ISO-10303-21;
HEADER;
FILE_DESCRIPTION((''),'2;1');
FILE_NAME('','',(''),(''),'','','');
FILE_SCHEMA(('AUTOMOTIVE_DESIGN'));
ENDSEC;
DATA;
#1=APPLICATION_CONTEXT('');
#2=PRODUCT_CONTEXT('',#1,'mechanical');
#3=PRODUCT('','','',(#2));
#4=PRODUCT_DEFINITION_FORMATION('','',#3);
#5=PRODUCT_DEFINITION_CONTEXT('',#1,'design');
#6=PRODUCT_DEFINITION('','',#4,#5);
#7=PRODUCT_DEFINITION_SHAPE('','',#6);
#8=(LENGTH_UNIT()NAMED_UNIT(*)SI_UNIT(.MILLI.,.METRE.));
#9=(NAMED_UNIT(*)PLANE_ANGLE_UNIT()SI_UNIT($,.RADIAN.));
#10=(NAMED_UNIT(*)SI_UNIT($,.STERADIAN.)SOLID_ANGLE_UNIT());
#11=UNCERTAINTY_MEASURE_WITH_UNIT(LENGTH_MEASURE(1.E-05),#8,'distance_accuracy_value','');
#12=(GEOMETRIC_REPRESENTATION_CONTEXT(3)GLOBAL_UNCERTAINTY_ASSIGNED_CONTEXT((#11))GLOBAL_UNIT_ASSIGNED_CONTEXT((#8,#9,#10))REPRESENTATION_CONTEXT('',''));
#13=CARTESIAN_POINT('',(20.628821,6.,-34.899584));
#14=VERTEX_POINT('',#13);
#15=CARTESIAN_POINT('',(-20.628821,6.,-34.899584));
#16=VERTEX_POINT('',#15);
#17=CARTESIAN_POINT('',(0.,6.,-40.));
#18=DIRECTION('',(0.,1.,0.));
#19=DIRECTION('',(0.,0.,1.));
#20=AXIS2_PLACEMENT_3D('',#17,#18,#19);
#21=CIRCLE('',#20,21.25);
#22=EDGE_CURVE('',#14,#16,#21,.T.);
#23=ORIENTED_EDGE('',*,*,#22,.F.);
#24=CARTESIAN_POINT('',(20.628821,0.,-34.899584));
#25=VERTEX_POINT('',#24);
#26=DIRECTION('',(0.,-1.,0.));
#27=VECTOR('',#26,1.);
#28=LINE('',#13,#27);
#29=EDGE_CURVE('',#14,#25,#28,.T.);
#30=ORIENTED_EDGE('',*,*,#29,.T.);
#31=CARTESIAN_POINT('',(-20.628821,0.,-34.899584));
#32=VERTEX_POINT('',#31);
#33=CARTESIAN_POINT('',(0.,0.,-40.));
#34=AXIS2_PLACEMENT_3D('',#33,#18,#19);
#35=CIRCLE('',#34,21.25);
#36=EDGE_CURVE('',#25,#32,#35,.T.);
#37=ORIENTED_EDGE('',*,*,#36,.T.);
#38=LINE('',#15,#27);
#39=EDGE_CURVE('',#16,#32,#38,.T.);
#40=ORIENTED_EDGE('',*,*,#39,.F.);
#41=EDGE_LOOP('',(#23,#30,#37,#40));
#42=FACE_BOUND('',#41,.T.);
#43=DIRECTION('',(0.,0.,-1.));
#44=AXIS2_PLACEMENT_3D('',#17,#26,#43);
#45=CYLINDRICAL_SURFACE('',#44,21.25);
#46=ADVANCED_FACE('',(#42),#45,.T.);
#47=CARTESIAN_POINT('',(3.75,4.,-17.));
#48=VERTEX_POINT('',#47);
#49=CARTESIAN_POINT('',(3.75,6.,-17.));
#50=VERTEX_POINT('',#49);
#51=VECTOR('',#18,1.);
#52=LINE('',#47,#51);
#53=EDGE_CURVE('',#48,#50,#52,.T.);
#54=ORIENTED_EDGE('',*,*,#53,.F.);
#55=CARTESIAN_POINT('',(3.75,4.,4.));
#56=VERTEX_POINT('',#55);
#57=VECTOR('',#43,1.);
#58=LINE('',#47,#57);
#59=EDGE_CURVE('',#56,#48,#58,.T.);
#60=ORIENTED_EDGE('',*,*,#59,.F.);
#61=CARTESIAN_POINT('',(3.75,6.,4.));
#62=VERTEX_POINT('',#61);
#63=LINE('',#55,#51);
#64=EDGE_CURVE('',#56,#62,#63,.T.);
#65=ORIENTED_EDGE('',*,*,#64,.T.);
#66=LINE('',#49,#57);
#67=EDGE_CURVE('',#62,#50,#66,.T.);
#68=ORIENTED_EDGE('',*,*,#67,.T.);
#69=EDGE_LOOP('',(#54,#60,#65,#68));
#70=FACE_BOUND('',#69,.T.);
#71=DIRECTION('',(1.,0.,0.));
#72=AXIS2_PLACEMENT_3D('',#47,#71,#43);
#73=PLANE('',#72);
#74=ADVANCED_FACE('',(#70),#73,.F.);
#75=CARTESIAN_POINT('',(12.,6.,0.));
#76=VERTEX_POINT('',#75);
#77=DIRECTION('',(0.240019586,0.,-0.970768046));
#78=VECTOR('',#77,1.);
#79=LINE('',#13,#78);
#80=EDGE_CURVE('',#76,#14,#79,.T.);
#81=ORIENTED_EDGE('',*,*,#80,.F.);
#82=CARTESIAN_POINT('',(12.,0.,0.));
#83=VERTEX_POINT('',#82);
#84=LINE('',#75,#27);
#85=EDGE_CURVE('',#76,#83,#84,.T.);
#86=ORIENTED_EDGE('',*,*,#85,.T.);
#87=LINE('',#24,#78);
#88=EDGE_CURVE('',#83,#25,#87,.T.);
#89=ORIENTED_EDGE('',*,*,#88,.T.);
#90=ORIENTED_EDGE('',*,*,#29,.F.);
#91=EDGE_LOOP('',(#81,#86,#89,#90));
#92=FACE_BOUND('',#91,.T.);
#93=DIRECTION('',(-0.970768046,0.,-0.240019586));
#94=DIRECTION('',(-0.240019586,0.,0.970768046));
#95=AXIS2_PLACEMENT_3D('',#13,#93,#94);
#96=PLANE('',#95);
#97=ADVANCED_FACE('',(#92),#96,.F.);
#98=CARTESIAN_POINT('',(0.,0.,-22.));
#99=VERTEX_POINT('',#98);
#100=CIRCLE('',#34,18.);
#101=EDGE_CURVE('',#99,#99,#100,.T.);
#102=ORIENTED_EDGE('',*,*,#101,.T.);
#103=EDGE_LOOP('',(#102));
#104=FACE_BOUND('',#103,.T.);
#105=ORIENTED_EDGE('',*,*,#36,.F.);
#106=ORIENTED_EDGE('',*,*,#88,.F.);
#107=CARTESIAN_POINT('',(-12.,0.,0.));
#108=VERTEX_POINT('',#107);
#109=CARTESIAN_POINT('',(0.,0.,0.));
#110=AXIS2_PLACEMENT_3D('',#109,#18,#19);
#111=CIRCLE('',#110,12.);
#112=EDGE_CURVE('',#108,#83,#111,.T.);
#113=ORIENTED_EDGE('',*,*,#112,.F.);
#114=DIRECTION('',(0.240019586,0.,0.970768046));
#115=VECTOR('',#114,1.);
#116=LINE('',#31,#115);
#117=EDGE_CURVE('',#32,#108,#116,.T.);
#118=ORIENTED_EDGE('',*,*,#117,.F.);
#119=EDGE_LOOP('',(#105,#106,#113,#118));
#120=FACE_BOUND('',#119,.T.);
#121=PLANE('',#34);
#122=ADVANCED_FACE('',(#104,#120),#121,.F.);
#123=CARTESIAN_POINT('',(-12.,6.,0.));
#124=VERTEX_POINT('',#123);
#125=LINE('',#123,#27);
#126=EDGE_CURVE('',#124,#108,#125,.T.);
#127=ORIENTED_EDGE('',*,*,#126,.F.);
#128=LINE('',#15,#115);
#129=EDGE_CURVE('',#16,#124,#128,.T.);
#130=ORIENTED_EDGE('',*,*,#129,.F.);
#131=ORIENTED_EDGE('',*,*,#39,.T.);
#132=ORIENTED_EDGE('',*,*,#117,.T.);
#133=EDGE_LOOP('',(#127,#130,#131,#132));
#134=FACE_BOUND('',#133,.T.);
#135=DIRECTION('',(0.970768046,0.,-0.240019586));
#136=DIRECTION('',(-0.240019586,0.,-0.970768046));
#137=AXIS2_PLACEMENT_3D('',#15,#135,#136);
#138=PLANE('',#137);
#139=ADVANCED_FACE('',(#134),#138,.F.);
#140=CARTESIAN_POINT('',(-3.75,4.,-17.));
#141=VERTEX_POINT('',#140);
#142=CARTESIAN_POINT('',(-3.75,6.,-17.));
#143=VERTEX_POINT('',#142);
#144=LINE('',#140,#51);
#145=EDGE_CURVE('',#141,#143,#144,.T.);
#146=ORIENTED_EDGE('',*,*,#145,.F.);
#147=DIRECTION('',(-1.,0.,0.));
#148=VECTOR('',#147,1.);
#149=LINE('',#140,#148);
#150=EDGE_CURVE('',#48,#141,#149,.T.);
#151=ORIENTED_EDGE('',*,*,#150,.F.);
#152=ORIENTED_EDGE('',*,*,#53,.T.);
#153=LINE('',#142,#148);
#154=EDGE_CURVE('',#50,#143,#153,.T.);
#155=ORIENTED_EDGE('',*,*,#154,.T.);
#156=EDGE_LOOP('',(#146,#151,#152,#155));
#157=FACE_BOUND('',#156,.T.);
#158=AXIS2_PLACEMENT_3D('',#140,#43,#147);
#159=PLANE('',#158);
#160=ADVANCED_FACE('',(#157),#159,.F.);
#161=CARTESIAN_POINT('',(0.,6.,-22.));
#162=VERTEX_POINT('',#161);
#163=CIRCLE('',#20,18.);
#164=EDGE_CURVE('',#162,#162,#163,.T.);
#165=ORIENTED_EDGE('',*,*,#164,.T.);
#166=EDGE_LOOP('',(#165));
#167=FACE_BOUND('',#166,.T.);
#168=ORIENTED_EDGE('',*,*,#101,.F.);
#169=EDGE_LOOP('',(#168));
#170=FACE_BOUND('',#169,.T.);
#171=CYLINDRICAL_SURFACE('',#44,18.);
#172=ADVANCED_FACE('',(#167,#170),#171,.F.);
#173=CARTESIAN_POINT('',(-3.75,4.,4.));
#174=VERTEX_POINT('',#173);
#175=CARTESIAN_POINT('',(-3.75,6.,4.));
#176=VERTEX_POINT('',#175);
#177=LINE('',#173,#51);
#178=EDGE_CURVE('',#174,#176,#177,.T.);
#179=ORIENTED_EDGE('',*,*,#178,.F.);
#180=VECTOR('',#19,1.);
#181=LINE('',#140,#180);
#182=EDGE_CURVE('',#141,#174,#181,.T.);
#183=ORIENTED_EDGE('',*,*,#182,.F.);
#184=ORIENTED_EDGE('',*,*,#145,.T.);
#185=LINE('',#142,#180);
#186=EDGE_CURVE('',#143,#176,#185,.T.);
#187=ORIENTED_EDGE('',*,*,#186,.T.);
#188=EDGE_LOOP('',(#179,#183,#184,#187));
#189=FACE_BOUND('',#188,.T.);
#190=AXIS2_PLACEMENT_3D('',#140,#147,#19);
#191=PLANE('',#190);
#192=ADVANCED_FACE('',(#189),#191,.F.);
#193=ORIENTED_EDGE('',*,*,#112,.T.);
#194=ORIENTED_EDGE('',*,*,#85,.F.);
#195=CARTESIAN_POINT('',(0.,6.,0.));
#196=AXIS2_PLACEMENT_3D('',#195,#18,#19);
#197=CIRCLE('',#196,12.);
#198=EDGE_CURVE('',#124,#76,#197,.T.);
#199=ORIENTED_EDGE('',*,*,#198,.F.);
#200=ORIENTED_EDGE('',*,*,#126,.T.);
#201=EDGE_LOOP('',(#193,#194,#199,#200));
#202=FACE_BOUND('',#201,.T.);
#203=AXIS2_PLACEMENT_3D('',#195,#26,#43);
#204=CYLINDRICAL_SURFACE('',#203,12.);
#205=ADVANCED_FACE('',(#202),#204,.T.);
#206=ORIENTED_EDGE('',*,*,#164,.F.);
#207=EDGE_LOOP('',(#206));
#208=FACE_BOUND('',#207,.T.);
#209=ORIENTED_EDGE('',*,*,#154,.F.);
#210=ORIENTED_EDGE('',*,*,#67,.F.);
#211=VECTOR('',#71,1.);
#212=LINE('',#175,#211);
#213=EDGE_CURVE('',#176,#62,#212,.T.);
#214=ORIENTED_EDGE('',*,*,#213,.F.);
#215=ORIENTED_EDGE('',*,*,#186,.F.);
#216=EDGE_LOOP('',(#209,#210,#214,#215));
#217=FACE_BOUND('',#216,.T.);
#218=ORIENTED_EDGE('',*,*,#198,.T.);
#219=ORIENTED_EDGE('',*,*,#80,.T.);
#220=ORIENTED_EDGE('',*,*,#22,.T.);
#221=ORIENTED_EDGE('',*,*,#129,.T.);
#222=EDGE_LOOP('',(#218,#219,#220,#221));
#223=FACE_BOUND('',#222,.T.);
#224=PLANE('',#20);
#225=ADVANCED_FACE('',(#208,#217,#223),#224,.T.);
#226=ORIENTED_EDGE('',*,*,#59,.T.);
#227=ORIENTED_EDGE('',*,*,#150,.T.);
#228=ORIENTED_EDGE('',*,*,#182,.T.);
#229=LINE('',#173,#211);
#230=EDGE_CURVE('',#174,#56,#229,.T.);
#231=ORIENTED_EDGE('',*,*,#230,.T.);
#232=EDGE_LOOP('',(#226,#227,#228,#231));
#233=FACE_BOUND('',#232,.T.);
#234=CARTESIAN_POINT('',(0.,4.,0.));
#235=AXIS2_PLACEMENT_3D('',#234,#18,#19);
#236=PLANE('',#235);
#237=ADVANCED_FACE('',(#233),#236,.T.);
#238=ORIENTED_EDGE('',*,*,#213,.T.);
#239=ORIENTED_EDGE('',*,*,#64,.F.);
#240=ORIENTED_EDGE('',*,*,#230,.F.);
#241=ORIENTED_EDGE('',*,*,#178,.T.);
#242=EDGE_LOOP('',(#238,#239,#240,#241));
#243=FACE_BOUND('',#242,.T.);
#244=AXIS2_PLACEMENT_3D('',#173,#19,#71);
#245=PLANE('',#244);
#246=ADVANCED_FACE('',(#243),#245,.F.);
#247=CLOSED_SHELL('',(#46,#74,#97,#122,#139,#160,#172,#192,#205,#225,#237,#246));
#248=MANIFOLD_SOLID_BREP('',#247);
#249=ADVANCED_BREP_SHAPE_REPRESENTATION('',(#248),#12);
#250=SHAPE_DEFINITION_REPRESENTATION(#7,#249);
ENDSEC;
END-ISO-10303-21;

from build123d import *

# Parameters (mm, degrees)
SKETCH1_R           = 18
BOSS_EXTRUDE1_DEPTH = 6
SKETCH2_W           = 7.5
SKETCH2_H           = 21
CUT_EXTRUDE1_DEPTH  = 2


with BuildPart() as part:
    # Sketch1 → Boss-Extrude1 (new body)
    with BuildSketch(Plane(origin=(0, 0, 0), x_dir=(1, 0, 0), z_dir=(0, 1, 0))):
        with BuildLine():
            Line((-20.628820967, 34.89958379), (-12, 0))
            ThreePointArc((-12, 0), (0, -12), (12, 0))
            Line((12, 0), (20.628820967, 34.89958379))
            ThreePointArc((20.628820967, 34.89958379), (0, 61.25), (-20.628820967, 34.89958379))
        make_face()
        with Locations((0, 40)):
            Circle(SKETCH1_R, mode=Mode.SUBTRACT)
    extrude(amount=BOSS_EXTRUDE1_DEPTH)

    # Sketch2 → Cut-Extrude1 (cut)
    with BuildSketch(Plane(origin=(0, 6, 0), x_dir=(1, 0, 0), z_dir=(0, 1, 0))):
        with Locations((0, 6.5)):
            Rectangle(SKETCH2_W, SKETCH2_H)
    extrude(amount=-CUT_EXTRUDE1_DEPTH, mode=Mode.SUBTRACT)


solid = part.part
